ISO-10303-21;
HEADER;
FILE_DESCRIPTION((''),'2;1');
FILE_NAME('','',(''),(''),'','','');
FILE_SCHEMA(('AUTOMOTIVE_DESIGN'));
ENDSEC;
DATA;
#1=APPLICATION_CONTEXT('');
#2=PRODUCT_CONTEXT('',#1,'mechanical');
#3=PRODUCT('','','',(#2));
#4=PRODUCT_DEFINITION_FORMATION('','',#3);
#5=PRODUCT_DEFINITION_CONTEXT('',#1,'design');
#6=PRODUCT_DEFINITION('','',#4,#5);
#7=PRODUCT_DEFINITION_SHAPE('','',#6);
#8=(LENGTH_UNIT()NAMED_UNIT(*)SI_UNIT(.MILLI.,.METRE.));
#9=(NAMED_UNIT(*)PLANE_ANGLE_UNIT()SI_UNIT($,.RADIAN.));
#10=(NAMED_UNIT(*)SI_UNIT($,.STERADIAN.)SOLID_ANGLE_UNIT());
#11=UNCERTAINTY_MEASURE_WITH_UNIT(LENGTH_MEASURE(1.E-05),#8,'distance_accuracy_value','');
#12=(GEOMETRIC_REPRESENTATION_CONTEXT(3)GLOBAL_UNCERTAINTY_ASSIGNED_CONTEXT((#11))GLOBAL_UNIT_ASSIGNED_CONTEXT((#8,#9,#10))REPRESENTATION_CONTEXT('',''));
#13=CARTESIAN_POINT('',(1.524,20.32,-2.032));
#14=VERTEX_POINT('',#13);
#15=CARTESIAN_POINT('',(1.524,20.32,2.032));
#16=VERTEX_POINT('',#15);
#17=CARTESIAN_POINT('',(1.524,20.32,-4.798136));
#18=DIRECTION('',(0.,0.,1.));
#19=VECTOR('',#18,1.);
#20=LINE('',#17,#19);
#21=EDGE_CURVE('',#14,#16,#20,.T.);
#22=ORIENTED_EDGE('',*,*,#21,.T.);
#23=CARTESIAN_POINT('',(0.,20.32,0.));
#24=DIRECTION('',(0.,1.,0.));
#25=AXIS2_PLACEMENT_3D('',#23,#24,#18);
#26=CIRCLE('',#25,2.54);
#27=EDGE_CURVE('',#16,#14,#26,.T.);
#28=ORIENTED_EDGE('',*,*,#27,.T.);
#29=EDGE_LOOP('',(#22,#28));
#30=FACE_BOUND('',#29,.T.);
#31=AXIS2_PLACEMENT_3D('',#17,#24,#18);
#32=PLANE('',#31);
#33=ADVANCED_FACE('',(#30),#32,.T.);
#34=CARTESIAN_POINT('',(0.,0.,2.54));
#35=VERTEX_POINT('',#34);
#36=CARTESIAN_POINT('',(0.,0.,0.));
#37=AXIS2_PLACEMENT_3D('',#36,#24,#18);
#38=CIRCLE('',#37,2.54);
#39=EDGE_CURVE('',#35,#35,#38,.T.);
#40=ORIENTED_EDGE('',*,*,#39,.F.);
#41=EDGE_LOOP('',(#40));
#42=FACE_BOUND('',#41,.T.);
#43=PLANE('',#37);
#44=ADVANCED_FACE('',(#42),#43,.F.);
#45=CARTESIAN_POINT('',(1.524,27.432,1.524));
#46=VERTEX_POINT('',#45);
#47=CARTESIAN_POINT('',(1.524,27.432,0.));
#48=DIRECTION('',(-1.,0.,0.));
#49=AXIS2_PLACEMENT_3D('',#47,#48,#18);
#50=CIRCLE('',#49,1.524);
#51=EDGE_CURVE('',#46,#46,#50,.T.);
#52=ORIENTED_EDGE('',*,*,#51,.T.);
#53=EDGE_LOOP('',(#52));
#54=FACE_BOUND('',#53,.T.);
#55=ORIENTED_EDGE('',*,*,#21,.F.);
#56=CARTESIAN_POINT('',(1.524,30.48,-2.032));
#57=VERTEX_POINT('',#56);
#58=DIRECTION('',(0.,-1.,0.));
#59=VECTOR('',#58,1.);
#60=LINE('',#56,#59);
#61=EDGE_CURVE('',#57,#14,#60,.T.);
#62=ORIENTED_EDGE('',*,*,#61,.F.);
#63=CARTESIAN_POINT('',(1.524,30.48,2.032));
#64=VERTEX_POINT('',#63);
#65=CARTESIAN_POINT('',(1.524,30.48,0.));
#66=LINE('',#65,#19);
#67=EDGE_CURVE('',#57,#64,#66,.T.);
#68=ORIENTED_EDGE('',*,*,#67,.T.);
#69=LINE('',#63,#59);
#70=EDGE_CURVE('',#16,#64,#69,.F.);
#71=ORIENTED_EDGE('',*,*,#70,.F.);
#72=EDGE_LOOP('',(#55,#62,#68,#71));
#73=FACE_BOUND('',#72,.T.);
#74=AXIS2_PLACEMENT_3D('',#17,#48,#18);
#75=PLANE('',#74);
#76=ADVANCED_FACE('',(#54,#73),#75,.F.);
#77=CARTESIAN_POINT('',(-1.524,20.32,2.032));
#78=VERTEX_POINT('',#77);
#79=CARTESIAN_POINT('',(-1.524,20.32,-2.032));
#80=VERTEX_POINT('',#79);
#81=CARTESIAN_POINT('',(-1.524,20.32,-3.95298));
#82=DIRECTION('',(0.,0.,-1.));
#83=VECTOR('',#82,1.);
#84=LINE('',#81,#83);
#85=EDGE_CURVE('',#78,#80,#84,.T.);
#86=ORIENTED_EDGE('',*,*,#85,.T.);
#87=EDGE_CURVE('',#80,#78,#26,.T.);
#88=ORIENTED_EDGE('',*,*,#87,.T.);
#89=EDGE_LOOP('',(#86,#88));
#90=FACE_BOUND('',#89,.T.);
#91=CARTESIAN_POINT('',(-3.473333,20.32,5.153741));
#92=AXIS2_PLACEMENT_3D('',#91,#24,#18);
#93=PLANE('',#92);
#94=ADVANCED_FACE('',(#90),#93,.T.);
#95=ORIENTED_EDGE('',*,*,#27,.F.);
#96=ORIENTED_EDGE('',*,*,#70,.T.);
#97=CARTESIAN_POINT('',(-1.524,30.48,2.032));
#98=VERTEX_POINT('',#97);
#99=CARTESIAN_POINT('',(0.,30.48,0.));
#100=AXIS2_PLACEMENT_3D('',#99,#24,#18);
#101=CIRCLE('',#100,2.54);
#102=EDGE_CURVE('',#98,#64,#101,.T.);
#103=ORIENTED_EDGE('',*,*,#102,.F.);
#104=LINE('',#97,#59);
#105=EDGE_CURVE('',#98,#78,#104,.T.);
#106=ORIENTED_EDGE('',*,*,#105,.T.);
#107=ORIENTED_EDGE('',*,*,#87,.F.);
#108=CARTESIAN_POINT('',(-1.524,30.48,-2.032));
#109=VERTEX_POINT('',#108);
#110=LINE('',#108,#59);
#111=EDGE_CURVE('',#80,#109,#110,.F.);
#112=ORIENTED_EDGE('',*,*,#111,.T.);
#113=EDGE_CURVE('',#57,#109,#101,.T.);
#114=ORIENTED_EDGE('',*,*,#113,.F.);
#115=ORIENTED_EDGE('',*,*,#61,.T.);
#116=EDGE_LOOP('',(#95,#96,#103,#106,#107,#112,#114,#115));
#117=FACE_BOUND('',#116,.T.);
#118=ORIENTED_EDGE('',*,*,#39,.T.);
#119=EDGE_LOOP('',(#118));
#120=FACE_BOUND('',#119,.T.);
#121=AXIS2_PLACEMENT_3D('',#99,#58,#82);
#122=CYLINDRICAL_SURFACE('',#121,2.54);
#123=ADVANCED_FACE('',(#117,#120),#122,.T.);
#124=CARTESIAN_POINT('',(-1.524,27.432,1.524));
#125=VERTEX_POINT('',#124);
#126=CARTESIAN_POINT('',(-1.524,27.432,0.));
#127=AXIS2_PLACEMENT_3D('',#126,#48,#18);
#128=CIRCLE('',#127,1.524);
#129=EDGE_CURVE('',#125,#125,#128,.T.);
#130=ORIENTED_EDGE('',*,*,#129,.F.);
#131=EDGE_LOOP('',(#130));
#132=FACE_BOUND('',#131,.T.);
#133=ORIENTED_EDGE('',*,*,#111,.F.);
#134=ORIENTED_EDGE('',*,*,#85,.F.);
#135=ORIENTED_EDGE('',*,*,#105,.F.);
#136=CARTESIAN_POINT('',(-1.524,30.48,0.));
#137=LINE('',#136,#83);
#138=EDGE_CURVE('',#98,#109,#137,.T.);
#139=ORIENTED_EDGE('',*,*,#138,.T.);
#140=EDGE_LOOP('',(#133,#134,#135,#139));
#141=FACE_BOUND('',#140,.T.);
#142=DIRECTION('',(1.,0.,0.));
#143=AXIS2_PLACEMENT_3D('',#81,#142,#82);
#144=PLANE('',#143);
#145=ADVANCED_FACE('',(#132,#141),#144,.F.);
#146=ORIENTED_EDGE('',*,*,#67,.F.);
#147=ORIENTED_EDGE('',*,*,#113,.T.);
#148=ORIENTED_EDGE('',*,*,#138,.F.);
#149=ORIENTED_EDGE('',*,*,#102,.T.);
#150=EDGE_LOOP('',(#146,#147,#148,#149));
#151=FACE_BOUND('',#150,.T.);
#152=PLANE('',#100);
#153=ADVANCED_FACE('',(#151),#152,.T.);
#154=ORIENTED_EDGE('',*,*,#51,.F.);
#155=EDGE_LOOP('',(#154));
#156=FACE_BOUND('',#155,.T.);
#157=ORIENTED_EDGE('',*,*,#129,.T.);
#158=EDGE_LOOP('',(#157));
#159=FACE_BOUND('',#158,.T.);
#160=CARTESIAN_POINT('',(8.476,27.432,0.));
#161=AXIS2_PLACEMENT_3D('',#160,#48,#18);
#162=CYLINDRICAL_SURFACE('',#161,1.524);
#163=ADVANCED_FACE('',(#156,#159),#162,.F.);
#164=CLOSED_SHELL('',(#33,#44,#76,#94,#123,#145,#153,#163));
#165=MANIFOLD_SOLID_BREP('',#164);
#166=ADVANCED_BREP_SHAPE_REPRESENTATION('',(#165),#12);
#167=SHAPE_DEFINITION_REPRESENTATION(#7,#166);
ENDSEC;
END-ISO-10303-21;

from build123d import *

# Parameters (mm, degrees)
SKETCH1_R          = 2.54
EXTRUDE1_DEPTH     = 30.48
SKETCH2_W          = 2.032
SKETCH2_H          = 9.951877561
SKETCH2_W_2        = 1.949333431
SKETCH2_H_2        = 9.106721584
CUT_EXTRUDE1_DEPTH = 10.16
SKETCH4_R          = 1.524
CUT_EXTRUDE2_DEPTH = 10


with BuildPart() as part:
    # Sketch1 → Extrude1 (new body)
    with BuildSketch(Plane(origin=(0, 0, 0), x_dir=(1, 0, 0), z_dir=(0, 1, 0))):
        Circle(SKETCH1_R)
    extrude(amount=EXTRUDE1_DEPTH)

    # Sketch2 → Cut-Extrude1 (cut)
    with BuildSketch(Plane(origin=(0, 30.48, 0), x_dir=(-1, 0, 0), z_dir=(0, 1, 0))):
        with Locations((-2.54, 0.177802653)):
            Rectangle(SKETCH2_W, SKETCH2_H)
        with Locations((2.498666716, 0.600380641)):
            Rectangle(SKETCH2_W_2, SKETCH2_H_2)
    extrude(amount=-CUT_EXTRUDE1_DEPTH, mode=Mode.SUBTRACT)

    # Sketch4 → Cut-Extrude2 (cut)
    with BuildSketch(Plane.ZY.offset(1.524)):
        with Locations((0, 27.432)):
            Circle(SKETCH4_R)
    extrude(amount=-CUT_EXTRUDE2_DEPTH, mode=Mode.SUBTRACT)


solid = part.part
